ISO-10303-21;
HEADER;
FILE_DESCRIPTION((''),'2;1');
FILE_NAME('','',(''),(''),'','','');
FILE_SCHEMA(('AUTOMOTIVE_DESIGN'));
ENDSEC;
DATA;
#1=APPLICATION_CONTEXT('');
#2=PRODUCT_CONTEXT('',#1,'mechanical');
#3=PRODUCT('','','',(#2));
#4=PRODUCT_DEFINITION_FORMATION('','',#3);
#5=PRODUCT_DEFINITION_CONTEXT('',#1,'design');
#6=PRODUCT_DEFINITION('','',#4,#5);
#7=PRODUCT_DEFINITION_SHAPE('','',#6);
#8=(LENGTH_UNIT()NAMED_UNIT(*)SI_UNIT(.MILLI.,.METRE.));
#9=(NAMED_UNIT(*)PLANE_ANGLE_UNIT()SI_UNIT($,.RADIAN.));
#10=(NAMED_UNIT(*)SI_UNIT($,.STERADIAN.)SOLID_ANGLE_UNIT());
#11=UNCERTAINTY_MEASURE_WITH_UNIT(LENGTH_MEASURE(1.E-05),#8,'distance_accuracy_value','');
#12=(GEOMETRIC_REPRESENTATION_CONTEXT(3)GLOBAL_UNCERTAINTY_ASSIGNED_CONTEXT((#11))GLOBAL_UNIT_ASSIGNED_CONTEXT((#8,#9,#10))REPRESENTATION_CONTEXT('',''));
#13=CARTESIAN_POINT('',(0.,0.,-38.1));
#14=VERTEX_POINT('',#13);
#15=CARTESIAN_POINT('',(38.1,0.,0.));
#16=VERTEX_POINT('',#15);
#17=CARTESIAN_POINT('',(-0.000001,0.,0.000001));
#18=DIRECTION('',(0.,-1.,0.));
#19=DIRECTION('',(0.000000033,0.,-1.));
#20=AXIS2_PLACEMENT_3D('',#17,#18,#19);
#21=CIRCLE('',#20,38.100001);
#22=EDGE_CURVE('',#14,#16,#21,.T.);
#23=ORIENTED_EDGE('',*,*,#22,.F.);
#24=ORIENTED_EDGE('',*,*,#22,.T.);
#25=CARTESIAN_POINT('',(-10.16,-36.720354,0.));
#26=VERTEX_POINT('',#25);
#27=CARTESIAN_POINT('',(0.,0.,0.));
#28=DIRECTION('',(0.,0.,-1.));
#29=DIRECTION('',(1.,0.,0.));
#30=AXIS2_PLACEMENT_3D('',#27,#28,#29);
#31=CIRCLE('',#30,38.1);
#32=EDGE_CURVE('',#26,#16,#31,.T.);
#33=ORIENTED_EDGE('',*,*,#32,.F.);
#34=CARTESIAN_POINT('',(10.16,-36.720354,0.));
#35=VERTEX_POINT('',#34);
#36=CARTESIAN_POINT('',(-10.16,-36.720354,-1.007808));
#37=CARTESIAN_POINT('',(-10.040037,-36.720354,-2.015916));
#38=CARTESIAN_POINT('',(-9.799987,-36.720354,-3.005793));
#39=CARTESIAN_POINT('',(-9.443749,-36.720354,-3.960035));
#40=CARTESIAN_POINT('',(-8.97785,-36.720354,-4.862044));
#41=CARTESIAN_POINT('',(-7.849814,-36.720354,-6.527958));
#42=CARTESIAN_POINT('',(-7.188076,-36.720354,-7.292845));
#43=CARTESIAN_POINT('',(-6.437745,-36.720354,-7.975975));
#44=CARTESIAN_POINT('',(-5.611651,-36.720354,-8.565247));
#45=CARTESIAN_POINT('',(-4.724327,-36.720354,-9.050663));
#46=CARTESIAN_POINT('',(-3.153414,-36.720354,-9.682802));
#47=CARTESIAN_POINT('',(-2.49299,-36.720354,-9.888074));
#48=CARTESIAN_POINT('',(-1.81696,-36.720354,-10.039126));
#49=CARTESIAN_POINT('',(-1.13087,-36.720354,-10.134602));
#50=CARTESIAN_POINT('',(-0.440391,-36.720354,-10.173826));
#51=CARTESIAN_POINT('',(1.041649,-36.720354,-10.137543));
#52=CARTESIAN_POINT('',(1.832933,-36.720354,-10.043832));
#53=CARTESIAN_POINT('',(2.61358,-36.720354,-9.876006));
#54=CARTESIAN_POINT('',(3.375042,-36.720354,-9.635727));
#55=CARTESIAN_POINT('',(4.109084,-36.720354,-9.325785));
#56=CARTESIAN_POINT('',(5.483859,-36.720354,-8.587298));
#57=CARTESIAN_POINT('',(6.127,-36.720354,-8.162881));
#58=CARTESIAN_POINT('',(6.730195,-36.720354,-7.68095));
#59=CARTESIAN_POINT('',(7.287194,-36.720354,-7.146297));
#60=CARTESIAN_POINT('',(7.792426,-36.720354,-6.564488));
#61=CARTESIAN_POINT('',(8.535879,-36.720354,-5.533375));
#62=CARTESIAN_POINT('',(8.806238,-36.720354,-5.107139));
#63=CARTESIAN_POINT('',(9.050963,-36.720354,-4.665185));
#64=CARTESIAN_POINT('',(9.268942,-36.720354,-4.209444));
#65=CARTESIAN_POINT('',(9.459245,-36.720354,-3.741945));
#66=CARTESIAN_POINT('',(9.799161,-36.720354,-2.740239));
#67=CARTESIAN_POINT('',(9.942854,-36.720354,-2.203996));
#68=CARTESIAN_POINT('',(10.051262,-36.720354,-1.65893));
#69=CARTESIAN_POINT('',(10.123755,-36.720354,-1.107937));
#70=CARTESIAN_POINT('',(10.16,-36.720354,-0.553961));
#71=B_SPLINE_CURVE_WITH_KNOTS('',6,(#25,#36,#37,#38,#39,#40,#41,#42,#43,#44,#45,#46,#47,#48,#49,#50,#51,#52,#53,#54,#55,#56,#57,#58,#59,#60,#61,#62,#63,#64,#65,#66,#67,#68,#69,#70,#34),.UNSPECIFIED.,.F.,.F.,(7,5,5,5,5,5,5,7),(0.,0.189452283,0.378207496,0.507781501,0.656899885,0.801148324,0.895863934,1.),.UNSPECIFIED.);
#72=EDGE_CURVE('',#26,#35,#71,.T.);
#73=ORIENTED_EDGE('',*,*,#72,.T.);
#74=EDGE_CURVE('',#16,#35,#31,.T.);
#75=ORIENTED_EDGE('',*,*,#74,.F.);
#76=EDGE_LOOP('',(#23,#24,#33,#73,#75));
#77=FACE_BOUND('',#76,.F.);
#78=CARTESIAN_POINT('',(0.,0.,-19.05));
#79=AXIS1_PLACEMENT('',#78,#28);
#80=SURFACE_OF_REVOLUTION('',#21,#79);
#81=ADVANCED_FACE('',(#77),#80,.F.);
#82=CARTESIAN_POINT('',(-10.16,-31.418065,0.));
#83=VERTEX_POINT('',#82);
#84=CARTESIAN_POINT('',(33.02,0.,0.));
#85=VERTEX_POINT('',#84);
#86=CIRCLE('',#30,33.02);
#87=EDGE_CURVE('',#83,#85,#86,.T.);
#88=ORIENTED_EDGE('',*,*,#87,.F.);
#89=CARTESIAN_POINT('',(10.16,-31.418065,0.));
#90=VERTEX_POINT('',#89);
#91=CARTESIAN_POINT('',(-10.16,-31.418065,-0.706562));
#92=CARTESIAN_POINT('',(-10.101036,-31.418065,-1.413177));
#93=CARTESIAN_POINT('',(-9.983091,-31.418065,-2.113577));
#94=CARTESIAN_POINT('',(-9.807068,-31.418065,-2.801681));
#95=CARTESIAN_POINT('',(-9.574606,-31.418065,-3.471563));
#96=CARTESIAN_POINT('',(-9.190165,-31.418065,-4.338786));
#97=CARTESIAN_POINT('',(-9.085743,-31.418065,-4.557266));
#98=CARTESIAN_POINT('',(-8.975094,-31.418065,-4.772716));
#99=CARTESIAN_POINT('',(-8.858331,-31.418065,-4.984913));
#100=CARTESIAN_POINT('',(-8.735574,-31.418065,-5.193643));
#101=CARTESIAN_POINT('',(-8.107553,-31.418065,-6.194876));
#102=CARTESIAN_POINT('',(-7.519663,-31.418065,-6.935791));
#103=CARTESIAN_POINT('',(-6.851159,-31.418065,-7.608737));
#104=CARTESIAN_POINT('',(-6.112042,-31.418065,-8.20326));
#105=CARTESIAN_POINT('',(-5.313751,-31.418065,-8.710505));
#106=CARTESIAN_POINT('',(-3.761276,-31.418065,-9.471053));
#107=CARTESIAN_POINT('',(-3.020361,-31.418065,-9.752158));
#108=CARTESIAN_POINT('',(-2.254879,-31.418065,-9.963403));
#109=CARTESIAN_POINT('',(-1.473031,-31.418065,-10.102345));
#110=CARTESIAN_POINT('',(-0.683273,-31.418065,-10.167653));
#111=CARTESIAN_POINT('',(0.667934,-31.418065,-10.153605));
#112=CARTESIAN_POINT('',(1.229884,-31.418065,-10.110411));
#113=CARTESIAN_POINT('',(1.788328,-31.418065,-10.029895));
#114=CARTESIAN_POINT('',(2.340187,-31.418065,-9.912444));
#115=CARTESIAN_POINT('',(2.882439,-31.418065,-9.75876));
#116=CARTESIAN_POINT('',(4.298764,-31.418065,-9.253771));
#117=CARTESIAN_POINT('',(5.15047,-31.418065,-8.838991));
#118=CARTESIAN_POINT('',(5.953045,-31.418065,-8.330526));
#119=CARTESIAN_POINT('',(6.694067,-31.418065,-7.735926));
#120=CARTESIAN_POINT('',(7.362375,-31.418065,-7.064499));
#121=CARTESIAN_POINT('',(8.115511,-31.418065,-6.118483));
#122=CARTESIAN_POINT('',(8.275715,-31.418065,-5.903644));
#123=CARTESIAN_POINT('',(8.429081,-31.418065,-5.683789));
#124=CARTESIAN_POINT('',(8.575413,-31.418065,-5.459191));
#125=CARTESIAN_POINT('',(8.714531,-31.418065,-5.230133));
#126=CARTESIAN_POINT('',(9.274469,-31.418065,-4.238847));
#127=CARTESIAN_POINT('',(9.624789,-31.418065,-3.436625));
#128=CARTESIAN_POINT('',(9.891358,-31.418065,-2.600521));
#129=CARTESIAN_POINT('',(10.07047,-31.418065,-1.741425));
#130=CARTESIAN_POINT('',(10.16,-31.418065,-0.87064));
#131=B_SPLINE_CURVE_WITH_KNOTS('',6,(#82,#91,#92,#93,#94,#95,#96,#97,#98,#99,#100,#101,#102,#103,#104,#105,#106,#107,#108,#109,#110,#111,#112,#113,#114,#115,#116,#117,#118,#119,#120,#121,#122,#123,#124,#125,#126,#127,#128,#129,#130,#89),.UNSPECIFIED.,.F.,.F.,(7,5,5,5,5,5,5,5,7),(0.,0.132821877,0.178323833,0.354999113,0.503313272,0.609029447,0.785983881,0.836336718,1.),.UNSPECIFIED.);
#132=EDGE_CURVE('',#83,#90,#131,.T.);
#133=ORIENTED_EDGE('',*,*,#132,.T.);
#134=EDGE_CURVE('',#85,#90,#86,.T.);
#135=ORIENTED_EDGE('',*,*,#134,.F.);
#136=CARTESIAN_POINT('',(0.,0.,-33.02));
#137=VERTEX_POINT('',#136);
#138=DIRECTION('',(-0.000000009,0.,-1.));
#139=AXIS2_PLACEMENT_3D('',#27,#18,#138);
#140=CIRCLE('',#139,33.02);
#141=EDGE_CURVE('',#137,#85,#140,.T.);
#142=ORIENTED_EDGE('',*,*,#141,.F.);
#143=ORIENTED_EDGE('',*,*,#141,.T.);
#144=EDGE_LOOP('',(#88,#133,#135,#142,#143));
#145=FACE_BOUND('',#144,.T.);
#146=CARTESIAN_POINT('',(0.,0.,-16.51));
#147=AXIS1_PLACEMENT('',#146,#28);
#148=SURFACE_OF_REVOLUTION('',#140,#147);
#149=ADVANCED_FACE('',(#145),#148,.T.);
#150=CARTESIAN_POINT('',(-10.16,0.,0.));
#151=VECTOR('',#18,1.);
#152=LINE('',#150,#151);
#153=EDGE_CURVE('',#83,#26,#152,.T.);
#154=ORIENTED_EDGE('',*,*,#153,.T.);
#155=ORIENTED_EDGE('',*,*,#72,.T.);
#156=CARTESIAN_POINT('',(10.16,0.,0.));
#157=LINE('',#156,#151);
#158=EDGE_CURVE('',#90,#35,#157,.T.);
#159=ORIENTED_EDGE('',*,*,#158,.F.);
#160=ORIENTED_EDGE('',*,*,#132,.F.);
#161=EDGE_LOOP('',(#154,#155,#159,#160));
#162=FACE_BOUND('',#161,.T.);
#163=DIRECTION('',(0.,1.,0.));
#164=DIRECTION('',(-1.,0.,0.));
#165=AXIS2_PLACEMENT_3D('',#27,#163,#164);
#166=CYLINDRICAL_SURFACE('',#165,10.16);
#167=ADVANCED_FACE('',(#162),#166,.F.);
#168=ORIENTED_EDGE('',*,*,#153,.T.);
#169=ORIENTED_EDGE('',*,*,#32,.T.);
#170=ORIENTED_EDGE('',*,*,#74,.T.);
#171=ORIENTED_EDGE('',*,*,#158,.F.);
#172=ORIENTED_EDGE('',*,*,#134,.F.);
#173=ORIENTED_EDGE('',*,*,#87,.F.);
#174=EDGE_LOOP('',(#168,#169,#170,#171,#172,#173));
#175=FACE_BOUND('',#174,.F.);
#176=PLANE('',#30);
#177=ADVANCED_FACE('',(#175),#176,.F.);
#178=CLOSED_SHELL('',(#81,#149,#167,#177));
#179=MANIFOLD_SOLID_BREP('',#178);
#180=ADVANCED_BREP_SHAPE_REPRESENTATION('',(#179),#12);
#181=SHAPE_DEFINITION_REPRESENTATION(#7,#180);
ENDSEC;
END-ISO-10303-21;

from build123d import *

# Parameters (mm, degrees)
F5_DEPTH = 38.1


with BuildPart() as f1:
    # F0 (on Front) → F1 (revolve)
    with BuildSketch(Plane.XZ):
        with BuildLine():
            Line((38.1, 0), (0, 0))
            Line((0, 0), (0, -38.1))
            ThreePointArc((0, -38.1), (26.940768, -26.940768), (38.1, 0))
        make_face()
    revolve(axis=Axis((0, 0, -19.05), (0, 0, -1)))

    # F2 (on Front) → F3 (revolve, cut)
    with BuildSketch(Plane.XZ):
        with BuildLine():
            Line((33.02, 0), (0, 0))
            Line((0, 0), (0, -33.02))
            ThreePointArc((0, -33.02), (23.348666, -23.348666), (33.02, 0))
        make_face()
    revolve(axis=Axis((0, 0, -16.51), (0, 0, -1)), mode=Mode.SUBTRACT)

    # F4 (on Front) → F5 (cut)
    with BuildSketch(Plane.XZ):
        with BuildLine():
            Line((10.16, 0), (0, 0))
            Line((0, 0), (-10.16, 0))
            ThreePointArc((-10.16, 0), (0, -10.16), (10.16, 0))
        make_face()
    extrude(amount=F5_DEPTH, mode=Mode.SUBTRACT)


solid = f1.part
